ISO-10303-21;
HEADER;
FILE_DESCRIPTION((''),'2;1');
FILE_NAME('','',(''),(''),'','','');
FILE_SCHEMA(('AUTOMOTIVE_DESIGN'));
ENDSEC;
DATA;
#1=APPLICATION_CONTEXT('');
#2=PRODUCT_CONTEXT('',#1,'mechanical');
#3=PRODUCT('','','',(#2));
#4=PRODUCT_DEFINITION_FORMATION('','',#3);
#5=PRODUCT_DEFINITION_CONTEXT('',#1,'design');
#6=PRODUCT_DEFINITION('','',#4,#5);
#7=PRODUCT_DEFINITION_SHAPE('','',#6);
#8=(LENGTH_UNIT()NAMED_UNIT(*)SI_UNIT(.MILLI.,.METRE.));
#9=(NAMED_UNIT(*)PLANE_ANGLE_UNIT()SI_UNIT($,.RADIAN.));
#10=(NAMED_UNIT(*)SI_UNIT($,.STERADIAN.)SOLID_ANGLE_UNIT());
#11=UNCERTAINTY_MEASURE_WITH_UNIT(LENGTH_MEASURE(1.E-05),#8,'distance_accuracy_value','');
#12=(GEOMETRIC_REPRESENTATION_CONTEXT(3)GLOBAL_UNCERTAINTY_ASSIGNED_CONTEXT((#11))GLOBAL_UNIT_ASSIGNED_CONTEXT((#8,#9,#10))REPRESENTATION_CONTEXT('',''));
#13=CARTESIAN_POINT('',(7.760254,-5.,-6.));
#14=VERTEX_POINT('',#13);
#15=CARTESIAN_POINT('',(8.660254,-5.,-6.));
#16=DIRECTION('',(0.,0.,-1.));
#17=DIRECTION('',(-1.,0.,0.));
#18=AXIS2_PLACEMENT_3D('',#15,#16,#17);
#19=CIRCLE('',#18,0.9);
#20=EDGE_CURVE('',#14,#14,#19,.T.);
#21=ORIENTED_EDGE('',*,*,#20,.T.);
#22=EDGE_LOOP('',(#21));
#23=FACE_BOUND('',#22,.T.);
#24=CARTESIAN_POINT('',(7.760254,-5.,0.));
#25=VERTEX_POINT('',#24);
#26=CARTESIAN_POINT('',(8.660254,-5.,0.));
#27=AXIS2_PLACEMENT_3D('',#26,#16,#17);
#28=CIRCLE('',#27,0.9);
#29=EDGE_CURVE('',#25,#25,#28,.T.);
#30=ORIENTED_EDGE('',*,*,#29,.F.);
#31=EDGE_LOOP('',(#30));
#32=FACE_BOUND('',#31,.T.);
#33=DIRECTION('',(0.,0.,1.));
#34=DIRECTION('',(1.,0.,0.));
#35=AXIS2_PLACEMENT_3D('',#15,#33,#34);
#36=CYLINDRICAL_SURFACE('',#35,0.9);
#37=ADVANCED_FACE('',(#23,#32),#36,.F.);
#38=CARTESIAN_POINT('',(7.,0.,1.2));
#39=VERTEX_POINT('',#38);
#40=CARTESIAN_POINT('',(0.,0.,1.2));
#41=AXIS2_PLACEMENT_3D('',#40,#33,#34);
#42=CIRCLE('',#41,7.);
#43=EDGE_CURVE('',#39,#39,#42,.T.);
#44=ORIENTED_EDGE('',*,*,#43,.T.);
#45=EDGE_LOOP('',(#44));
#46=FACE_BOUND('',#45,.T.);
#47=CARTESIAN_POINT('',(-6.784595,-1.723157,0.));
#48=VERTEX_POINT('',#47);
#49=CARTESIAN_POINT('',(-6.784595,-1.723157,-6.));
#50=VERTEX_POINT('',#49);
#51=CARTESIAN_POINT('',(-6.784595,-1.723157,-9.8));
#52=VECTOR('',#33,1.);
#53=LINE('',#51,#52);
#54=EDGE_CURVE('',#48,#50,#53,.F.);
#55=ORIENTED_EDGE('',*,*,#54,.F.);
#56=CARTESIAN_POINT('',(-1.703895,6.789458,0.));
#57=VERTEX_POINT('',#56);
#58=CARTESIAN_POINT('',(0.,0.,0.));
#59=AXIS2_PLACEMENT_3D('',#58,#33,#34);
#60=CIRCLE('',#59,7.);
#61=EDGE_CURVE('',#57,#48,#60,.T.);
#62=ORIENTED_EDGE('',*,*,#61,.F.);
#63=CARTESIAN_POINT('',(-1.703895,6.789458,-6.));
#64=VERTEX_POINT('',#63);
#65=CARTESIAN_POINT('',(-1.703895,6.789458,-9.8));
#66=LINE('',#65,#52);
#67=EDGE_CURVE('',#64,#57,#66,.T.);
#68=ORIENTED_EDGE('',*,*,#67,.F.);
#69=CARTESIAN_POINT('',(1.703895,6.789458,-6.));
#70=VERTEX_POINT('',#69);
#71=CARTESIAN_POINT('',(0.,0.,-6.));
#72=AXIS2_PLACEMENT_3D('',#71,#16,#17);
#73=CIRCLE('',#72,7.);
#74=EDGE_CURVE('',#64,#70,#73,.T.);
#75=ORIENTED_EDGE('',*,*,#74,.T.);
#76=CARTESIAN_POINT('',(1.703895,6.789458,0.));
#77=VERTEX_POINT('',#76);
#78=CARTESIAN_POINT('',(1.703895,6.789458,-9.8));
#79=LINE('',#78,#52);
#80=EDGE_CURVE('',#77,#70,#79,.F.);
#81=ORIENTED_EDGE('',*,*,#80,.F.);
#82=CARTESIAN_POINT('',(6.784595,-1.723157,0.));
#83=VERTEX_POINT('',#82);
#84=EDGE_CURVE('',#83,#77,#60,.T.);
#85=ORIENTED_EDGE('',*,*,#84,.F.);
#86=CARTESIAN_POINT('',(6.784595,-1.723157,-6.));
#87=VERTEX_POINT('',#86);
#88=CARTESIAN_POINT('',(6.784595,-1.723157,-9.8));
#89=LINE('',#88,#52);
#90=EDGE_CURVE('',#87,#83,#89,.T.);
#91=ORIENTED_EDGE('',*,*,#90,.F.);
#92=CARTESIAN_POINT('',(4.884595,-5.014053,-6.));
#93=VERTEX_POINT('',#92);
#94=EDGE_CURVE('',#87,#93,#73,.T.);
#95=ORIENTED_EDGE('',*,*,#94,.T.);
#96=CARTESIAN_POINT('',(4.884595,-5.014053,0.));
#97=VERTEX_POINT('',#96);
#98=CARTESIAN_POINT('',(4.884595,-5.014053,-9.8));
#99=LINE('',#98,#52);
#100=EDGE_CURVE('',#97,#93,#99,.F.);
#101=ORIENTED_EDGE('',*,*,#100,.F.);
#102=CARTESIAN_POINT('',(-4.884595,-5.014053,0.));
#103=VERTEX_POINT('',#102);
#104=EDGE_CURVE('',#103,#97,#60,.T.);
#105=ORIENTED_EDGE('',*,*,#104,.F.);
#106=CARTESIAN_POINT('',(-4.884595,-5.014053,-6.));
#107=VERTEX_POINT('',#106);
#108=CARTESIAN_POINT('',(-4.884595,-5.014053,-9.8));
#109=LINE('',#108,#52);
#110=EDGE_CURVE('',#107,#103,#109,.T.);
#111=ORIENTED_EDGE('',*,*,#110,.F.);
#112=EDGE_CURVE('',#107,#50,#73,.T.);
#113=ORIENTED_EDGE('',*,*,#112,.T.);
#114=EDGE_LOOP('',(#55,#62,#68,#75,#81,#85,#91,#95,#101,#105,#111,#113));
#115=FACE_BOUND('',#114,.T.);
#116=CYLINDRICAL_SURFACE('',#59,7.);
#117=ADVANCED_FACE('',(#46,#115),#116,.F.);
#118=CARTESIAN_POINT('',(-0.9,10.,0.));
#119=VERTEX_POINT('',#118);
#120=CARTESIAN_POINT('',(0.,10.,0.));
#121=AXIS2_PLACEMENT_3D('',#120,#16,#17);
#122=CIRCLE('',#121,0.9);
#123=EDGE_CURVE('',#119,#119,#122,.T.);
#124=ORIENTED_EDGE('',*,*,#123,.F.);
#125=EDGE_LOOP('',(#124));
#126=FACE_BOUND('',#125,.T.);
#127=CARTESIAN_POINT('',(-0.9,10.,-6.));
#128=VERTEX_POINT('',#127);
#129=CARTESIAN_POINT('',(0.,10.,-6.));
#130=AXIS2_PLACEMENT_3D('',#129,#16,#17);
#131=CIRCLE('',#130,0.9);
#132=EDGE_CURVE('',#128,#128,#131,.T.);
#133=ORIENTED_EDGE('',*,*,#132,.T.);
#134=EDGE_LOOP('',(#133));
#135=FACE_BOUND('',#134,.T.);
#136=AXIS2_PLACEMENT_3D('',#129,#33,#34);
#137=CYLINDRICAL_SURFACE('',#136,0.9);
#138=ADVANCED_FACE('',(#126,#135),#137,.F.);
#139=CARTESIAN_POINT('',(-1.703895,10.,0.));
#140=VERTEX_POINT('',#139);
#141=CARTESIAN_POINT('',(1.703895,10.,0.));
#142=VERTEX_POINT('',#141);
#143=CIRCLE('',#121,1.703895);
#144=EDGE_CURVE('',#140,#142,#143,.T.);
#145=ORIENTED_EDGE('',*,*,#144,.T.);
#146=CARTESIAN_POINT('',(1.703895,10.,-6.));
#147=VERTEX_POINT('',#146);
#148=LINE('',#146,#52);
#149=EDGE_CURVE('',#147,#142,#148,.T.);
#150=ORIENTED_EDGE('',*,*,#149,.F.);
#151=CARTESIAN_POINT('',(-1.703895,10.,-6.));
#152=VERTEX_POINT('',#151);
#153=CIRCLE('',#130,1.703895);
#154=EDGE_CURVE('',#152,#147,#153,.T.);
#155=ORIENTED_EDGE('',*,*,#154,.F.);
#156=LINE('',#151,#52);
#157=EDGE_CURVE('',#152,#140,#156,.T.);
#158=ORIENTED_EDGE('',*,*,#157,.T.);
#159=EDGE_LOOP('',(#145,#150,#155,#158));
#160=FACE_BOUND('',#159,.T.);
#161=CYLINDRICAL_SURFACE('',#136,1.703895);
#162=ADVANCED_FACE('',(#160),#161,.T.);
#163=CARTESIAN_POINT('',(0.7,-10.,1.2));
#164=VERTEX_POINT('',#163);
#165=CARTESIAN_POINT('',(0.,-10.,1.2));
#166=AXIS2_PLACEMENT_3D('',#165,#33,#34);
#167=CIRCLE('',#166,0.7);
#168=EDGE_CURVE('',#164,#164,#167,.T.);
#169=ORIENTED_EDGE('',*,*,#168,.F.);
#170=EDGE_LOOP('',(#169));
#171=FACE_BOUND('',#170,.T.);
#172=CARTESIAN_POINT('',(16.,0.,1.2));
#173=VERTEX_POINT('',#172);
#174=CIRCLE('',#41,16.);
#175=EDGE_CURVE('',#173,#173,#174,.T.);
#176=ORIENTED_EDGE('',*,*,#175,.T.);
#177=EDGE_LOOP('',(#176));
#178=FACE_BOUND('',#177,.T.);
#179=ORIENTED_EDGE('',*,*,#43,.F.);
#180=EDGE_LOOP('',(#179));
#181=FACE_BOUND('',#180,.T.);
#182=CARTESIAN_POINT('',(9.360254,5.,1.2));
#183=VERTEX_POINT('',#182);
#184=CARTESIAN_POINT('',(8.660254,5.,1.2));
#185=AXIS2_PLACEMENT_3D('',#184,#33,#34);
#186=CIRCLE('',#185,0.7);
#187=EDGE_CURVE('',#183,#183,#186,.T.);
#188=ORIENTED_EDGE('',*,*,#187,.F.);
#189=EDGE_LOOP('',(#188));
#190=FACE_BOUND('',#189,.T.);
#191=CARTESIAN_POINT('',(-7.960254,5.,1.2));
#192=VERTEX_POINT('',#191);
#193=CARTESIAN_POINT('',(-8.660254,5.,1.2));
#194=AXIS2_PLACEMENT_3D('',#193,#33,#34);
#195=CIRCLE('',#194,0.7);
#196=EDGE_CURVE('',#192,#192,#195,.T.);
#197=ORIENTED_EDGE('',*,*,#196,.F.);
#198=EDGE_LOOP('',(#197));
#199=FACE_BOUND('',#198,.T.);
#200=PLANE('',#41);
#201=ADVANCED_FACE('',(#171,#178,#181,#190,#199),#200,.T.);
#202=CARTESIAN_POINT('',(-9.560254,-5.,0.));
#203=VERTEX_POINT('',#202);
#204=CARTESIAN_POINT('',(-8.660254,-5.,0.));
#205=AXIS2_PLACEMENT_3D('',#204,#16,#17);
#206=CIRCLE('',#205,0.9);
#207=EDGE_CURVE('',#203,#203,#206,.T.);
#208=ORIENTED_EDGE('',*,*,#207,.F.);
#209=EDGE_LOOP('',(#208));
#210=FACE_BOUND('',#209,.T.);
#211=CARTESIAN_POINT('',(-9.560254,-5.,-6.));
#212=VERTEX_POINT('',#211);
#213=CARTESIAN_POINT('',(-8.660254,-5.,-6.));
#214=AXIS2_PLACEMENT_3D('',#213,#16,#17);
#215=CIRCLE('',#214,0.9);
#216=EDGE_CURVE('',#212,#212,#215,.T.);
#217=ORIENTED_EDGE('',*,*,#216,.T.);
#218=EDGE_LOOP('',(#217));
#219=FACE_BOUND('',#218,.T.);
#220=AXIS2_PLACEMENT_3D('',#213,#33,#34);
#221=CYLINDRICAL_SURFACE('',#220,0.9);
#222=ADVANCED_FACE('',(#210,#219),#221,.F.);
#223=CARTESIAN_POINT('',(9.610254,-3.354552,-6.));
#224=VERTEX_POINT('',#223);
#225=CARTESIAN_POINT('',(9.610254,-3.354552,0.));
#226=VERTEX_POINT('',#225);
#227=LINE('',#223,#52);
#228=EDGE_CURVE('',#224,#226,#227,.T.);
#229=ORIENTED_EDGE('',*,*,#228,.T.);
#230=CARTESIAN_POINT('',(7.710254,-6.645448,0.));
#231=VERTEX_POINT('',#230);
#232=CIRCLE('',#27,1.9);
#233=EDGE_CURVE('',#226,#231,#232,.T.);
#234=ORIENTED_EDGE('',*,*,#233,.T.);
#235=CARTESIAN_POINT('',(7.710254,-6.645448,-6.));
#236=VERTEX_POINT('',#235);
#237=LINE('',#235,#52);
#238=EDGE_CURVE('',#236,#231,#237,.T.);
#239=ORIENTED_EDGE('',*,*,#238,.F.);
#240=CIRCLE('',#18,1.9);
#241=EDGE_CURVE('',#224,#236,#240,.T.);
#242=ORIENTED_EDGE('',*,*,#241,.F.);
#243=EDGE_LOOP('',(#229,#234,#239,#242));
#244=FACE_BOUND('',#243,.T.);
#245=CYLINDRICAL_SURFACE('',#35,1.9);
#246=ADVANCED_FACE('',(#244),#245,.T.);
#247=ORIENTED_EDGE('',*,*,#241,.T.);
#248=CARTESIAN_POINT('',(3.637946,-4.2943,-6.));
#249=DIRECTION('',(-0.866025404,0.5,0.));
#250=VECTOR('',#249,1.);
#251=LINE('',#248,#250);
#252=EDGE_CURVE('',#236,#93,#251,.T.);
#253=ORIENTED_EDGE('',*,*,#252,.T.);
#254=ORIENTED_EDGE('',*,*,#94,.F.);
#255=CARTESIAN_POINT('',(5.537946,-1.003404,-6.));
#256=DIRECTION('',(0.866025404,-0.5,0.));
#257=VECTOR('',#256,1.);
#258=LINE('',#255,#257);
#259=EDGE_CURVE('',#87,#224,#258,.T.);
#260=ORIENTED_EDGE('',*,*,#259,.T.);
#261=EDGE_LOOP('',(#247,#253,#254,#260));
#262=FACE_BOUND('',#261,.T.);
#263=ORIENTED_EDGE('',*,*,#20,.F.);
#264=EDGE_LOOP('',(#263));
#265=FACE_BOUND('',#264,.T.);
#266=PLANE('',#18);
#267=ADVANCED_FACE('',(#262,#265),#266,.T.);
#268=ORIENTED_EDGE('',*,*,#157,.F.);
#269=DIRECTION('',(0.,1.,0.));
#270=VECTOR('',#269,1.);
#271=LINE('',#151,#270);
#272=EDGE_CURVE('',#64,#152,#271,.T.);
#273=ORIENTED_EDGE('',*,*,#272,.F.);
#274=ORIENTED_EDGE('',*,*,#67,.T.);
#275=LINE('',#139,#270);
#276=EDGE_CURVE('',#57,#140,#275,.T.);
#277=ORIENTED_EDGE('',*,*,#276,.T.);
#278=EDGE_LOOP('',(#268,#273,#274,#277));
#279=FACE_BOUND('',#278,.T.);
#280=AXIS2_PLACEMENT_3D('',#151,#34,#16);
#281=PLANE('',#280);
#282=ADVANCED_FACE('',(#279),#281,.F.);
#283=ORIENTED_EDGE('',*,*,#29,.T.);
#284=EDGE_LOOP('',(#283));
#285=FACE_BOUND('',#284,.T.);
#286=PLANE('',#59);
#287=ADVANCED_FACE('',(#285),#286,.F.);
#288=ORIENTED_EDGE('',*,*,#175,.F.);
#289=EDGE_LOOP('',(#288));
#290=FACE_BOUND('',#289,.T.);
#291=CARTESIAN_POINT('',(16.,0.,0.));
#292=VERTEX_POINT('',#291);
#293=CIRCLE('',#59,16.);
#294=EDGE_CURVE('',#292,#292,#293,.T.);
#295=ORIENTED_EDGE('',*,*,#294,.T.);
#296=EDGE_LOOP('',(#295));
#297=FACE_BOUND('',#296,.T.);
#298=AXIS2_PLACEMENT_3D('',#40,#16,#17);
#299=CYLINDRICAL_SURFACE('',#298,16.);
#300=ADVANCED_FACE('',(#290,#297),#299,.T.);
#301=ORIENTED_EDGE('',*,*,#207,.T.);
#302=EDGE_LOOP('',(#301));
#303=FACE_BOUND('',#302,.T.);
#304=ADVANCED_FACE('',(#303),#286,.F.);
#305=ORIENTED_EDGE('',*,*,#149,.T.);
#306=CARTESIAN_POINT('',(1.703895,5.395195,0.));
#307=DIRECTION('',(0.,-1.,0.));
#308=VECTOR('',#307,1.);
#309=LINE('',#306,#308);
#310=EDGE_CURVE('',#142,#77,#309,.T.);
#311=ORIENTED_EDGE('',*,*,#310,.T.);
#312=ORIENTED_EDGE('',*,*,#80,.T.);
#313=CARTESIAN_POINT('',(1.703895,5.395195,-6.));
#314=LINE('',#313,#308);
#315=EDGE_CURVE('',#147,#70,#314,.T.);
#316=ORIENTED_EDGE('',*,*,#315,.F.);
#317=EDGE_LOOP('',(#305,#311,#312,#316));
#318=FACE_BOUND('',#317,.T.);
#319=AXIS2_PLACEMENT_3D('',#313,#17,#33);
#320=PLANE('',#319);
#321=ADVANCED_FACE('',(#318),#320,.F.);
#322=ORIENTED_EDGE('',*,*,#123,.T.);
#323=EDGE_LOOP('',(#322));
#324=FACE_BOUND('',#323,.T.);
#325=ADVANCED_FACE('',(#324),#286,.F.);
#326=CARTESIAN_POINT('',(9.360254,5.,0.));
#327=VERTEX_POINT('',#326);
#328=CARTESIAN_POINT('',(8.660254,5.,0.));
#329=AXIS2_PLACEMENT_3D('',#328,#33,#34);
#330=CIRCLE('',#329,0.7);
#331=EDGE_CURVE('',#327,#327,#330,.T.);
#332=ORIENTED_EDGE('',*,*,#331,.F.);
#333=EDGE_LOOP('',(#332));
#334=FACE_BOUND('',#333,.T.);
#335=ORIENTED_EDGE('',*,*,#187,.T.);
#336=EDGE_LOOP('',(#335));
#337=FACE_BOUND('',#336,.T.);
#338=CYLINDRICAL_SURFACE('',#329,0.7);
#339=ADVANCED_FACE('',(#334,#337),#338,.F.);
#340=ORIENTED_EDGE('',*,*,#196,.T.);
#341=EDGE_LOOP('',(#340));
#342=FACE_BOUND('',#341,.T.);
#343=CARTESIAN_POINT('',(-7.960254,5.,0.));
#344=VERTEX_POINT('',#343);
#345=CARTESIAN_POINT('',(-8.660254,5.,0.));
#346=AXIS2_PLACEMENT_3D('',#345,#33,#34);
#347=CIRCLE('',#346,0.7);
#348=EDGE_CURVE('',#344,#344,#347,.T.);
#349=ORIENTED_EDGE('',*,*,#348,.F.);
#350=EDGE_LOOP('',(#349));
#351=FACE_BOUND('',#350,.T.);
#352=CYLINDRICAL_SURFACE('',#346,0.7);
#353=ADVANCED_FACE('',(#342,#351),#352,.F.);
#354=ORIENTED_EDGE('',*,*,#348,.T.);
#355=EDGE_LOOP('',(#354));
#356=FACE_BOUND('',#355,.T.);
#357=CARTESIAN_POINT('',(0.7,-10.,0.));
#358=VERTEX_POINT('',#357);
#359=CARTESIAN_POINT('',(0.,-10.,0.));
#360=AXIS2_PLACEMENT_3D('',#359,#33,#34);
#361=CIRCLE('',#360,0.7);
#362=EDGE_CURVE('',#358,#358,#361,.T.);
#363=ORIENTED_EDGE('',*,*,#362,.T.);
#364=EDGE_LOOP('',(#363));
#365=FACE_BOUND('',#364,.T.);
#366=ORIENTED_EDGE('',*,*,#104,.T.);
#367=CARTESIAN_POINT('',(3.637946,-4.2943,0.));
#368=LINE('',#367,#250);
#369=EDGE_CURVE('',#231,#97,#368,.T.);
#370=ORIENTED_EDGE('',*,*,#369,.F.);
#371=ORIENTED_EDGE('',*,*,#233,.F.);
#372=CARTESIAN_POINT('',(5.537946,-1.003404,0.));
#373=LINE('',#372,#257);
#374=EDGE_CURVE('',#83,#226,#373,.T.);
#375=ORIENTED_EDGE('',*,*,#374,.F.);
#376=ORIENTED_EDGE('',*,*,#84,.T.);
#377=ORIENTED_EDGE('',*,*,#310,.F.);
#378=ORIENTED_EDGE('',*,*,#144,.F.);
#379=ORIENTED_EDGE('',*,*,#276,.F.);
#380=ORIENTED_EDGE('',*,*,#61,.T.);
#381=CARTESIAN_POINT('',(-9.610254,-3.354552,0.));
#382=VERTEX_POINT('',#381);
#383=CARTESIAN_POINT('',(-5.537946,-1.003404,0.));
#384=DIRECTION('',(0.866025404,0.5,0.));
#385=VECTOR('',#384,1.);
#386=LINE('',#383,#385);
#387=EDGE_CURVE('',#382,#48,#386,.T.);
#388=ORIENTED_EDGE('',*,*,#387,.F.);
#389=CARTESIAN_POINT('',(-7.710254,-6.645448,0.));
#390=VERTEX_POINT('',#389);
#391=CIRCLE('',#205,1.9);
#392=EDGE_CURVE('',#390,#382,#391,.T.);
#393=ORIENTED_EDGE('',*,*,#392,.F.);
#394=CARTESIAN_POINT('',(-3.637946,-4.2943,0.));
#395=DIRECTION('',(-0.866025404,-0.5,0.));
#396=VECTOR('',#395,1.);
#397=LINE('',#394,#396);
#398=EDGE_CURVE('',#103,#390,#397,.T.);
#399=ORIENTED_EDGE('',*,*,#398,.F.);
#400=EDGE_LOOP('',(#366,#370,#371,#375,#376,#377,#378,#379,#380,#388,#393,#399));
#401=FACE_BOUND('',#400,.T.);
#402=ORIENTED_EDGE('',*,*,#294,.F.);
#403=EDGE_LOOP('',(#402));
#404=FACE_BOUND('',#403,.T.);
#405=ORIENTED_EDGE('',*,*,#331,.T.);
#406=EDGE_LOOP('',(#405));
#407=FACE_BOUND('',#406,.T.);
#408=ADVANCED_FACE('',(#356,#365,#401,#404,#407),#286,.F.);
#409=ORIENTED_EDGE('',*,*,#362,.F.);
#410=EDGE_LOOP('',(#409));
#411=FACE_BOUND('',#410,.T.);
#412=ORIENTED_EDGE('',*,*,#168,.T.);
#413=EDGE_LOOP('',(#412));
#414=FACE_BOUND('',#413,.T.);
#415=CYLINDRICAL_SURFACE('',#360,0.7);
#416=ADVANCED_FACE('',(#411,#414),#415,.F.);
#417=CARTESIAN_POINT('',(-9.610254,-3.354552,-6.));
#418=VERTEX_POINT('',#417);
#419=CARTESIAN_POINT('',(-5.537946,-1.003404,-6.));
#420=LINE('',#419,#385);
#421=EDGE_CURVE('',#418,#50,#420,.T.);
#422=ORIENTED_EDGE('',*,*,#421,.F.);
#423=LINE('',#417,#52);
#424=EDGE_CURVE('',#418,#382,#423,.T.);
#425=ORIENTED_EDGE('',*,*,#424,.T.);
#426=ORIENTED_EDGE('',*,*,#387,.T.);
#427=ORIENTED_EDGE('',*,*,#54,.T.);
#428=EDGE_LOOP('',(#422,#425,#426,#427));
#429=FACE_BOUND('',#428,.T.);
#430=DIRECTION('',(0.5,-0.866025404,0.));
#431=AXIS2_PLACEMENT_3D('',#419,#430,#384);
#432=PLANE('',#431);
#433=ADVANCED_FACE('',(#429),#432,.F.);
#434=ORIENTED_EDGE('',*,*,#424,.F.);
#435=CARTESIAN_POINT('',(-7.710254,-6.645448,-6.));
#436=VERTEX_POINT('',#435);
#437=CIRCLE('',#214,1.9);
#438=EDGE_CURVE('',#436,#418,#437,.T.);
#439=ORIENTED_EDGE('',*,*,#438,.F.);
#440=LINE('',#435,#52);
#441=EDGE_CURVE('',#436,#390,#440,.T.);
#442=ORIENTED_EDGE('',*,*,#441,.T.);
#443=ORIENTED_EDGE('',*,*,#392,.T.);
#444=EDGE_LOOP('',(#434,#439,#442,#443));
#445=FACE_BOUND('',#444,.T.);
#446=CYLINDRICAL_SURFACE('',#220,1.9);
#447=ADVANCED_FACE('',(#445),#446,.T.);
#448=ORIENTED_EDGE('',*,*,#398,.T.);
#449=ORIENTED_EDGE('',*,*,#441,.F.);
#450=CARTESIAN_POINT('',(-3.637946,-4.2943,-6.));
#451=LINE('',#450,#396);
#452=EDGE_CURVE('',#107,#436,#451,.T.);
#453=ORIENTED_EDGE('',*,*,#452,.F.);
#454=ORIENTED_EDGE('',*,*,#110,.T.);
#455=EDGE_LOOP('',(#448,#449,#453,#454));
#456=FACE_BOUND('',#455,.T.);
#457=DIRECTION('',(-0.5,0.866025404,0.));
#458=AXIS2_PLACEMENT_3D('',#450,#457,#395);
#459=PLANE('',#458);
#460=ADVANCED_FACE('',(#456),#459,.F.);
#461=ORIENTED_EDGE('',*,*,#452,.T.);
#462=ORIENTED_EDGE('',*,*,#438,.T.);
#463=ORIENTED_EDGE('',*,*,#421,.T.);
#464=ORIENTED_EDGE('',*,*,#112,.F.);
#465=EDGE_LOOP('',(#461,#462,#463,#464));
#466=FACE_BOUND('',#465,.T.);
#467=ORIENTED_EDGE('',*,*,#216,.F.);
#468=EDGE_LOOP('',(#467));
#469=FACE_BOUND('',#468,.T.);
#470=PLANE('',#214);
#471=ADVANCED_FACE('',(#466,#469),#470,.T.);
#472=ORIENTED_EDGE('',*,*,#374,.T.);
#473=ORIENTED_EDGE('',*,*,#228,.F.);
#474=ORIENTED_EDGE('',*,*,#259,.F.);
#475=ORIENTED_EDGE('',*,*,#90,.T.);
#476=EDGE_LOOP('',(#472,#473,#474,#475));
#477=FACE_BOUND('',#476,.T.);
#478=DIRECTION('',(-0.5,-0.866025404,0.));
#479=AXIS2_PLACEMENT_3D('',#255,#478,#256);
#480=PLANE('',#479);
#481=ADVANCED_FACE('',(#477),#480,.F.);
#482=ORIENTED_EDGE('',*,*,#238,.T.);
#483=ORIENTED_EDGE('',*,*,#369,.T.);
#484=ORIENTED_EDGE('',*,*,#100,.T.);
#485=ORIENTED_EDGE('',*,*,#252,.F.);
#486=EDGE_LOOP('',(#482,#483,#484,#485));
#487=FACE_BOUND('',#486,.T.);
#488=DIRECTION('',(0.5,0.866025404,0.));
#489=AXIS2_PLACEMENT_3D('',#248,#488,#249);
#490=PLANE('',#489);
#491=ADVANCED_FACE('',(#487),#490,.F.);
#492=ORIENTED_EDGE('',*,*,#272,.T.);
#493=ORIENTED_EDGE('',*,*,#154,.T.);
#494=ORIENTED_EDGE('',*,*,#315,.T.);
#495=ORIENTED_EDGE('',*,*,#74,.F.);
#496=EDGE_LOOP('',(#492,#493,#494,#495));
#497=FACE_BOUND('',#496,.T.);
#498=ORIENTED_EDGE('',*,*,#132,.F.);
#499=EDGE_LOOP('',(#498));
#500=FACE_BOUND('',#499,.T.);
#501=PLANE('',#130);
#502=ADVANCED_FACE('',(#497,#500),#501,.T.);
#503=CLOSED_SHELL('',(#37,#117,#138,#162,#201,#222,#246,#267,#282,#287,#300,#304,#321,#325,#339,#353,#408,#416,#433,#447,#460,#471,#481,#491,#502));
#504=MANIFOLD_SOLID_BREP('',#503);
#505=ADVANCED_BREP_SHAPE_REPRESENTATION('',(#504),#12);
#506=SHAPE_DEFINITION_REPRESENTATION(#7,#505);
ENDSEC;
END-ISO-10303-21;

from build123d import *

# Parameters (mm, degrees)
SKETCH_1_R          = 16
EXTRUDE_1_DEPTH     = 1.2
SKETCH_2_R          = 7
CUT_EXTRUDE_1_DEPTH = 1.2
SKETCH_3_R          = 0.7
CUT_EXTRUDE_2_DEPTH = 1.2
SKETCH_4_R          = 0.9
EXTRUDE_2_DEPTH     = 6
SKETCH_5_R          = 7
CUT_EXTRUDE_3_DEPTH = 11


with BuildPart() as part:
    # 草图1 → 凸台-拉伸1 (new body)
    with BuildSketch(Plane.XY):
        Circle(SKETCH_1_R)
    extrude(amount=EXTRUDE_1_DEPTH)

    # 草图2 → 切除-拉伸1 (cut)
    with BuildSketch(Plane.XY.offset(1.2)):
        Circle(SKETCH_2_R)
    extrude(amount=-CUT_EXTRUDE_1_DEPTH, mode=Mode.SUBTRACT)

    # 草图3 → 切除-拉伸2 (cut)
    with BuildSketch(Plane.XY.offset(1.2)):
        with Locations((8.660254038, 5)):
            Circle(SKETCH_3_R)
        with Locations((0, -10)):
            Circle(SKETCH_3_R)
        with Locations((-8.660254038, 5)):
            Circle(SKETCH_3_R)
    extrude(amount=-CUT_EXTRUDE_2_DEPTH, mode=Mode.SUBTRACT)

    # 草图4 → 凸台-拉伸2 (add)
    with BuildSketch(Plane(origin=(0, 0, 0), x_dir=(-1, 0, 0), z_dir=(0, 0, -1))):
        with BuildLine():
            Line((1.703894623, 10), (1.703894623, 5.395195442))
            Line((1.703894623, 5.395195442), (-1.703894623, 5.395195442))
            Line((-1.703894623, 5.395195442), (-1.703894623, 10))
            ThreePointArc((-1.703894623, 10), (0, 11.703894623), (1.703894623, 10))
        make_face()
        with Locations((0, 10)):
            Circle(SKETCH_4_R, mode=Mode.SUBTRACT)
        with BuildLine():
            Line((-5.537946003, -1.003403593), (-3.637946003, -4.294300127))
            Line((-3.637946003, -4.294300127), (-7.710254038, -6.645448267))
            ThreePointArc((-7.710254038, -6.645448267), (-10.305702305, -5.95), (-9.610254038, -3.354551733))
            Line((-9.610254038, -3.354551733), (-5.537946003, -1.003403593))
        make_face()
        with Locations((-8.660254038, -5)):
            Circle(SKETCH_4_R, mode=Mode.SUBTRACT)
        with BuildLine():
            Line((3.637946003, -4.294300127), (5.537946003, -1.003403593))
            Line((5.537946003, -1.003403593), (9.610254038, -3.354551733))
            ThreePointArc((9.610254038, -3.354551733), (10.305702305, -5.95), (7.710254038, -6.645448267))
            Line((7.710254038, -6.645448267), (3.637946003, -4.294300127))
        make_face()
        with Locations((8.660254038, -5)):
            Circle(SKETCH_4_R, mode=Mode.SUBTRACT)
    extrude(amount=EXTRUDE_2_DEPTH)

    # 草图5 → 切除-拉伸3 (cut)
    with BuildSketch(Plane.XY.offset(1.2)):
        Circle(SKETCH_5_R)
    extrude(amount=-CUT_EXTRUDE_3_DEPTH, mode=Mode.SUBTRACT)


solid = part.part
